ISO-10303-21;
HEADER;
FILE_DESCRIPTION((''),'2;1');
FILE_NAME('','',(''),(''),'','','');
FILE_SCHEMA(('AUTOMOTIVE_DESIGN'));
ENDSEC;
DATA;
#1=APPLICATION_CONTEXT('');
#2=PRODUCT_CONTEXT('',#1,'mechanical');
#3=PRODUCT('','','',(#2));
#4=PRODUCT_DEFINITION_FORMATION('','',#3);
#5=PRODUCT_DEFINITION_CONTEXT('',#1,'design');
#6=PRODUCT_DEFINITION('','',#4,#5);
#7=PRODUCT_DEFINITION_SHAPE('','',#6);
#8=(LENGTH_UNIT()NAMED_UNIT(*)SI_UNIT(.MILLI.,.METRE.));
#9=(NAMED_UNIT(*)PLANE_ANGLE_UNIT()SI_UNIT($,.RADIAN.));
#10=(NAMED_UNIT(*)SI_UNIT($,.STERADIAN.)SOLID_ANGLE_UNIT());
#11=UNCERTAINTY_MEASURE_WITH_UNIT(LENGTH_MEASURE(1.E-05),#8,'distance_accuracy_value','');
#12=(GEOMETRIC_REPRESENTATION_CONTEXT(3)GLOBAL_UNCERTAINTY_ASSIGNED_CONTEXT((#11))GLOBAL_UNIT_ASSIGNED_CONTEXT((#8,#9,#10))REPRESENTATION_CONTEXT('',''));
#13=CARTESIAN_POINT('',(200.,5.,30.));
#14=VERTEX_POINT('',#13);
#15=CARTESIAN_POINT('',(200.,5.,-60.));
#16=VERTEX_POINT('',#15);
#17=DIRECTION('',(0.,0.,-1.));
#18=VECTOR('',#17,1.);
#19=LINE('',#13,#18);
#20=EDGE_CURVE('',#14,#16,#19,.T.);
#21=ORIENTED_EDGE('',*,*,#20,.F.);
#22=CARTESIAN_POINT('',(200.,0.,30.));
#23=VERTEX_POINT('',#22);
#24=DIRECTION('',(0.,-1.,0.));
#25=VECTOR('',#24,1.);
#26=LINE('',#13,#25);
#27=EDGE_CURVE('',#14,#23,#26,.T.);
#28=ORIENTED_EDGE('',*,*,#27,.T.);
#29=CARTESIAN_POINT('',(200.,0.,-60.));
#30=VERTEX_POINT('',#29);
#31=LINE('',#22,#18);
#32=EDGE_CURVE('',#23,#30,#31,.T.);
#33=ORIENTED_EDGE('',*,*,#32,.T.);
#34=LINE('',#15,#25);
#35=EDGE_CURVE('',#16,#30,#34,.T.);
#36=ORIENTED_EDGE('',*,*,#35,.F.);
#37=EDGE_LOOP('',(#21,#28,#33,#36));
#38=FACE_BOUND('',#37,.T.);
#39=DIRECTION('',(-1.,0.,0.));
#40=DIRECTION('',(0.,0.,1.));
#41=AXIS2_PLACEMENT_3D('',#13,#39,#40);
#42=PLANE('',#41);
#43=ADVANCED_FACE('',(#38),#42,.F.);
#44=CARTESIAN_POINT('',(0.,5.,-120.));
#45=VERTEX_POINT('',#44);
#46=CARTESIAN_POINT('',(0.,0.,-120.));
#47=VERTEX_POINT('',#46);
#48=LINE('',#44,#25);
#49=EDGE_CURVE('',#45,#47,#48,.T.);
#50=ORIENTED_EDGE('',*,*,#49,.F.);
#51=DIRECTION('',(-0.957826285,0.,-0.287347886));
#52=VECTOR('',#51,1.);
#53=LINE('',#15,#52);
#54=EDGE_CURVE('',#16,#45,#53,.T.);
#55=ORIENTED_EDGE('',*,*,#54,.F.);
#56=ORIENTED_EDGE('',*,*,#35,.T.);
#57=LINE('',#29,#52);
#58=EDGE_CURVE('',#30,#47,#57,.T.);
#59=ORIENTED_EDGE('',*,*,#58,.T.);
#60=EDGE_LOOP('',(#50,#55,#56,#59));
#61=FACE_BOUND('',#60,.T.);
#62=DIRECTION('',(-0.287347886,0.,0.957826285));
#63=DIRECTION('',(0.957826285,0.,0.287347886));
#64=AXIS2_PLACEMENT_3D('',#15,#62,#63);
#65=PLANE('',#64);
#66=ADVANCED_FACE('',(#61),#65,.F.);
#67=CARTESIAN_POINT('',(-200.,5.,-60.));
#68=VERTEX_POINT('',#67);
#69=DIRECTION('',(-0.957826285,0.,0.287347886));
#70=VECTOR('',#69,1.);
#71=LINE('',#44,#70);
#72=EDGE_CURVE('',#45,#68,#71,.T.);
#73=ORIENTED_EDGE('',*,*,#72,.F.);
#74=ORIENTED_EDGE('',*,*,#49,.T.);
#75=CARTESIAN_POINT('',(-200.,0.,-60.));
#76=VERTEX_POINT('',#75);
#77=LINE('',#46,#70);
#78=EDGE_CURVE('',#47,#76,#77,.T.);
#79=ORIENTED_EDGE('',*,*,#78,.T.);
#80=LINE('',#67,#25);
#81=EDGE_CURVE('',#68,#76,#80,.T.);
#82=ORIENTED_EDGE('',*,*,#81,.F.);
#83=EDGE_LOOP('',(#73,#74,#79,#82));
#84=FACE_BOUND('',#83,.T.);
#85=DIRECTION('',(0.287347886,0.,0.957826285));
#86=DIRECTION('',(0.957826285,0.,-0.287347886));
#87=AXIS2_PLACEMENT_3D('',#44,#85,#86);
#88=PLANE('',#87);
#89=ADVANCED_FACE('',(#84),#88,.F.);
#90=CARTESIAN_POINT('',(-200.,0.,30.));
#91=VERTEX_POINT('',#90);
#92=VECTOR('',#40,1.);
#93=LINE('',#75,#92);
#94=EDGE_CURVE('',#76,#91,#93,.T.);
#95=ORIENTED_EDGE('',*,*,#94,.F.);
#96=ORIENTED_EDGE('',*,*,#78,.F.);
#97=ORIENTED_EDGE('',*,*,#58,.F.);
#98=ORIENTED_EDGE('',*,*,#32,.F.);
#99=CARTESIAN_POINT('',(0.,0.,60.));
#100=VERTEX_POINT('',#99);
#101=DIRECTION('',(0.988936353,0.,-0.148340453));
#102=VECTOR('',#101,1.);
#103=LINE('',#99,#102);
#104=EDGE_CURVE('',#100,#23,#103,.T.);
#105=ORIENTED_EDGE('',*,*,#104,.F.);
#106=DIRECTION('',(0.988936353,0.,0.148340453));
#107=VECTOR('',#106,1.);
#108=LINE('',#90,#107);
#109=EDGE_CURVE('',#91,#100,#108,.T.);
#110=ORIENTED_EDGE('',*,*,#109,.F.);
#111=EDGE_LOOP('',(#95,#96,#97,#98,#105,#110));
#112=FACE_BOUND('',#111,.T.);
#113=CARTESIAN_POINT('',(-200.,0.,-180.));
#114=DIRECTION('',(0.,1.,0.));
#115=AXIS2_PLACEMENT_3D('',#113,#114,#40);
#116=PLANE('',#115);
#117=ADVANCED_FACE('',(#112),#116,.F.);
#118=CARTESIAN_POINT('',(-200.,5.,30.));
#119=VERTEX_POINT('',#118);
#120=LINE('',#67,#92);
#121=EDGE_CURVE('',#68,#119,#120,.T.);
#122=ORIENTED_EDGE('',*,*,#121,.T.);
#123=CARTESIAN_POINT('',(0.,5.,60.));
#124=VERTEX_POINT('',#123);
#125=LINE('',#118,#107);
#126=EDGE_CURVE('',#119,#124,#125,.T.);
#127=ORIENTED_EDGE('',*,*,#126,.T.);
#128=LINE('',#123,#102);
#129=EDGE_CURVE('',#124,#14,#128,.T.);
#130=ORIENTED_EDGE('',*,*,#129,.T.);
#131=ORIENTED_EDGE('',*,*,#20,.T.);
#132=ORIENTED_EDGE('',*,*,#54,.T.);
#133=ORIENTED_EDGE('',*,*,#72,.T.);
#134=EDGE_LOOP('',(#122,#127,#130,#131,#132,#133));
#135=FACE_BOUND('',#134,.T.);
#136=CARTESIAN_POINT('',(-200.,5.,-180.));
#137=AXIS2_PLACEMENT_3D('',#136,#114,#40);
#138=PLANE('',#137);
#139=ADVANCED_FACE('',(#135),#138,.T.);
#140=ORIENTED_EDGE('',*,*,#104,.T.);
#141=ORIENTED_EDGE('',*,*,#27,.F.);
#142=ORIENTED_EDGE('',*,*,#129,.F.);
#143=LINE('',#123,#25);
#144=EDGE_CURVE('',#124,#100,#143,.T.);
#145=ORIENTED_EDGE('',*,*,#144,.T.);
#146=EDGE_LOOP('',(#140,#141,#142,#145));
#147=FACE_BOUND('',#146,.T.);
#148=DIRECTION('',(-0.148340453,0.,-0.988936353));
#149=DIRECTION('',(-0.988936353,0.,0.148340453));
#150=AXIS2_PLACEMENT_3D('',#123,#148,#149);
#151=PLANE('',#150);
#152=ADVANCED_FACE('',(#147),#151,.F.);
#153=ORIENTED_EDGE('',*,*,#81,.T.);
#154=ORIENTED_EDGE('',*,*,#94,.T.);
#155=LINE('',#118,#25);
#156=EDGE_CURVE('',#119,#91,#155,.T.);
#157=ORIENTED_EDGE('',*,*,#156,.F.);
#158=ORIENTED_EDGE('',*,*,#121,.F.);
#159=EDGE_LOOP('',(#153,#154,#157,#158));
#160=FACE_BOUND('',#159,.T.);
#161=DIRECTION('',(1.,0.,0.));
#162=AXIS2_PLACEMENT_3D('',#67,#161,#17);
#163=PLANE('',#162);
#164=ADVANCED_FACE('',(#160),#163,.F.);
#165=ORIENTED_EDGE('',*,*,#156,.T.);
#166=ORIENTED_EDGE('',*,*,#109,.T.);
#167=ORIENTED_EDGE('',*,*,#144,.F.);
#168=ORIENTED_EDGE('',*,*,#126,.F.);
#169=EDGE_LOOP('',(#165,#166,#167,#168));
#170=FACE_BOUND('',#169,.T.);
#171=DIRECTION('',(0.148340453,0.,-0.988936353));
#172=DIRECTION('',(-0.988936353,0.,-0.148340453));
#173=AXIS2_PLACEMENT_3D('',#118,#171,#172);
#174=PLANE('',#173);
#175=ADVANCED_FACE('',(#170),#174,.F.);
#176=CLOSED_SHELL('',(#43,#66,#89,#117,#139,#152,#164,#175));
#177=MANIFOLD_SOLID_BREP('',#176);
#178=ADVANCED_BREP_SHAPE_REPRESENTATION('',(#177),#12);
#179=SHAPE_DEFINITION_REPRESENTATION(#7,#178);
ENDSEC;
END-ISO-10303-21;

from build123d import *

# Parameters (mm, degrees)
EXTRUDE_1_DEPTH = 5


with BuildPart() as part:
    # 草图1 → 拉伸1 (new body)
    with BuildSketch(Plane(origin=(0, 0, 0), x_dir=(1, 0, 0), z_dir=(0, 1, 0))):
        Polygon((0, 120), (-200, 60), (-200, -30), (0, -60), (200, -30), (200, 60), align=None)
    extrude(amount=EXTRUDE_1_DEPTH)


solid = part.part
